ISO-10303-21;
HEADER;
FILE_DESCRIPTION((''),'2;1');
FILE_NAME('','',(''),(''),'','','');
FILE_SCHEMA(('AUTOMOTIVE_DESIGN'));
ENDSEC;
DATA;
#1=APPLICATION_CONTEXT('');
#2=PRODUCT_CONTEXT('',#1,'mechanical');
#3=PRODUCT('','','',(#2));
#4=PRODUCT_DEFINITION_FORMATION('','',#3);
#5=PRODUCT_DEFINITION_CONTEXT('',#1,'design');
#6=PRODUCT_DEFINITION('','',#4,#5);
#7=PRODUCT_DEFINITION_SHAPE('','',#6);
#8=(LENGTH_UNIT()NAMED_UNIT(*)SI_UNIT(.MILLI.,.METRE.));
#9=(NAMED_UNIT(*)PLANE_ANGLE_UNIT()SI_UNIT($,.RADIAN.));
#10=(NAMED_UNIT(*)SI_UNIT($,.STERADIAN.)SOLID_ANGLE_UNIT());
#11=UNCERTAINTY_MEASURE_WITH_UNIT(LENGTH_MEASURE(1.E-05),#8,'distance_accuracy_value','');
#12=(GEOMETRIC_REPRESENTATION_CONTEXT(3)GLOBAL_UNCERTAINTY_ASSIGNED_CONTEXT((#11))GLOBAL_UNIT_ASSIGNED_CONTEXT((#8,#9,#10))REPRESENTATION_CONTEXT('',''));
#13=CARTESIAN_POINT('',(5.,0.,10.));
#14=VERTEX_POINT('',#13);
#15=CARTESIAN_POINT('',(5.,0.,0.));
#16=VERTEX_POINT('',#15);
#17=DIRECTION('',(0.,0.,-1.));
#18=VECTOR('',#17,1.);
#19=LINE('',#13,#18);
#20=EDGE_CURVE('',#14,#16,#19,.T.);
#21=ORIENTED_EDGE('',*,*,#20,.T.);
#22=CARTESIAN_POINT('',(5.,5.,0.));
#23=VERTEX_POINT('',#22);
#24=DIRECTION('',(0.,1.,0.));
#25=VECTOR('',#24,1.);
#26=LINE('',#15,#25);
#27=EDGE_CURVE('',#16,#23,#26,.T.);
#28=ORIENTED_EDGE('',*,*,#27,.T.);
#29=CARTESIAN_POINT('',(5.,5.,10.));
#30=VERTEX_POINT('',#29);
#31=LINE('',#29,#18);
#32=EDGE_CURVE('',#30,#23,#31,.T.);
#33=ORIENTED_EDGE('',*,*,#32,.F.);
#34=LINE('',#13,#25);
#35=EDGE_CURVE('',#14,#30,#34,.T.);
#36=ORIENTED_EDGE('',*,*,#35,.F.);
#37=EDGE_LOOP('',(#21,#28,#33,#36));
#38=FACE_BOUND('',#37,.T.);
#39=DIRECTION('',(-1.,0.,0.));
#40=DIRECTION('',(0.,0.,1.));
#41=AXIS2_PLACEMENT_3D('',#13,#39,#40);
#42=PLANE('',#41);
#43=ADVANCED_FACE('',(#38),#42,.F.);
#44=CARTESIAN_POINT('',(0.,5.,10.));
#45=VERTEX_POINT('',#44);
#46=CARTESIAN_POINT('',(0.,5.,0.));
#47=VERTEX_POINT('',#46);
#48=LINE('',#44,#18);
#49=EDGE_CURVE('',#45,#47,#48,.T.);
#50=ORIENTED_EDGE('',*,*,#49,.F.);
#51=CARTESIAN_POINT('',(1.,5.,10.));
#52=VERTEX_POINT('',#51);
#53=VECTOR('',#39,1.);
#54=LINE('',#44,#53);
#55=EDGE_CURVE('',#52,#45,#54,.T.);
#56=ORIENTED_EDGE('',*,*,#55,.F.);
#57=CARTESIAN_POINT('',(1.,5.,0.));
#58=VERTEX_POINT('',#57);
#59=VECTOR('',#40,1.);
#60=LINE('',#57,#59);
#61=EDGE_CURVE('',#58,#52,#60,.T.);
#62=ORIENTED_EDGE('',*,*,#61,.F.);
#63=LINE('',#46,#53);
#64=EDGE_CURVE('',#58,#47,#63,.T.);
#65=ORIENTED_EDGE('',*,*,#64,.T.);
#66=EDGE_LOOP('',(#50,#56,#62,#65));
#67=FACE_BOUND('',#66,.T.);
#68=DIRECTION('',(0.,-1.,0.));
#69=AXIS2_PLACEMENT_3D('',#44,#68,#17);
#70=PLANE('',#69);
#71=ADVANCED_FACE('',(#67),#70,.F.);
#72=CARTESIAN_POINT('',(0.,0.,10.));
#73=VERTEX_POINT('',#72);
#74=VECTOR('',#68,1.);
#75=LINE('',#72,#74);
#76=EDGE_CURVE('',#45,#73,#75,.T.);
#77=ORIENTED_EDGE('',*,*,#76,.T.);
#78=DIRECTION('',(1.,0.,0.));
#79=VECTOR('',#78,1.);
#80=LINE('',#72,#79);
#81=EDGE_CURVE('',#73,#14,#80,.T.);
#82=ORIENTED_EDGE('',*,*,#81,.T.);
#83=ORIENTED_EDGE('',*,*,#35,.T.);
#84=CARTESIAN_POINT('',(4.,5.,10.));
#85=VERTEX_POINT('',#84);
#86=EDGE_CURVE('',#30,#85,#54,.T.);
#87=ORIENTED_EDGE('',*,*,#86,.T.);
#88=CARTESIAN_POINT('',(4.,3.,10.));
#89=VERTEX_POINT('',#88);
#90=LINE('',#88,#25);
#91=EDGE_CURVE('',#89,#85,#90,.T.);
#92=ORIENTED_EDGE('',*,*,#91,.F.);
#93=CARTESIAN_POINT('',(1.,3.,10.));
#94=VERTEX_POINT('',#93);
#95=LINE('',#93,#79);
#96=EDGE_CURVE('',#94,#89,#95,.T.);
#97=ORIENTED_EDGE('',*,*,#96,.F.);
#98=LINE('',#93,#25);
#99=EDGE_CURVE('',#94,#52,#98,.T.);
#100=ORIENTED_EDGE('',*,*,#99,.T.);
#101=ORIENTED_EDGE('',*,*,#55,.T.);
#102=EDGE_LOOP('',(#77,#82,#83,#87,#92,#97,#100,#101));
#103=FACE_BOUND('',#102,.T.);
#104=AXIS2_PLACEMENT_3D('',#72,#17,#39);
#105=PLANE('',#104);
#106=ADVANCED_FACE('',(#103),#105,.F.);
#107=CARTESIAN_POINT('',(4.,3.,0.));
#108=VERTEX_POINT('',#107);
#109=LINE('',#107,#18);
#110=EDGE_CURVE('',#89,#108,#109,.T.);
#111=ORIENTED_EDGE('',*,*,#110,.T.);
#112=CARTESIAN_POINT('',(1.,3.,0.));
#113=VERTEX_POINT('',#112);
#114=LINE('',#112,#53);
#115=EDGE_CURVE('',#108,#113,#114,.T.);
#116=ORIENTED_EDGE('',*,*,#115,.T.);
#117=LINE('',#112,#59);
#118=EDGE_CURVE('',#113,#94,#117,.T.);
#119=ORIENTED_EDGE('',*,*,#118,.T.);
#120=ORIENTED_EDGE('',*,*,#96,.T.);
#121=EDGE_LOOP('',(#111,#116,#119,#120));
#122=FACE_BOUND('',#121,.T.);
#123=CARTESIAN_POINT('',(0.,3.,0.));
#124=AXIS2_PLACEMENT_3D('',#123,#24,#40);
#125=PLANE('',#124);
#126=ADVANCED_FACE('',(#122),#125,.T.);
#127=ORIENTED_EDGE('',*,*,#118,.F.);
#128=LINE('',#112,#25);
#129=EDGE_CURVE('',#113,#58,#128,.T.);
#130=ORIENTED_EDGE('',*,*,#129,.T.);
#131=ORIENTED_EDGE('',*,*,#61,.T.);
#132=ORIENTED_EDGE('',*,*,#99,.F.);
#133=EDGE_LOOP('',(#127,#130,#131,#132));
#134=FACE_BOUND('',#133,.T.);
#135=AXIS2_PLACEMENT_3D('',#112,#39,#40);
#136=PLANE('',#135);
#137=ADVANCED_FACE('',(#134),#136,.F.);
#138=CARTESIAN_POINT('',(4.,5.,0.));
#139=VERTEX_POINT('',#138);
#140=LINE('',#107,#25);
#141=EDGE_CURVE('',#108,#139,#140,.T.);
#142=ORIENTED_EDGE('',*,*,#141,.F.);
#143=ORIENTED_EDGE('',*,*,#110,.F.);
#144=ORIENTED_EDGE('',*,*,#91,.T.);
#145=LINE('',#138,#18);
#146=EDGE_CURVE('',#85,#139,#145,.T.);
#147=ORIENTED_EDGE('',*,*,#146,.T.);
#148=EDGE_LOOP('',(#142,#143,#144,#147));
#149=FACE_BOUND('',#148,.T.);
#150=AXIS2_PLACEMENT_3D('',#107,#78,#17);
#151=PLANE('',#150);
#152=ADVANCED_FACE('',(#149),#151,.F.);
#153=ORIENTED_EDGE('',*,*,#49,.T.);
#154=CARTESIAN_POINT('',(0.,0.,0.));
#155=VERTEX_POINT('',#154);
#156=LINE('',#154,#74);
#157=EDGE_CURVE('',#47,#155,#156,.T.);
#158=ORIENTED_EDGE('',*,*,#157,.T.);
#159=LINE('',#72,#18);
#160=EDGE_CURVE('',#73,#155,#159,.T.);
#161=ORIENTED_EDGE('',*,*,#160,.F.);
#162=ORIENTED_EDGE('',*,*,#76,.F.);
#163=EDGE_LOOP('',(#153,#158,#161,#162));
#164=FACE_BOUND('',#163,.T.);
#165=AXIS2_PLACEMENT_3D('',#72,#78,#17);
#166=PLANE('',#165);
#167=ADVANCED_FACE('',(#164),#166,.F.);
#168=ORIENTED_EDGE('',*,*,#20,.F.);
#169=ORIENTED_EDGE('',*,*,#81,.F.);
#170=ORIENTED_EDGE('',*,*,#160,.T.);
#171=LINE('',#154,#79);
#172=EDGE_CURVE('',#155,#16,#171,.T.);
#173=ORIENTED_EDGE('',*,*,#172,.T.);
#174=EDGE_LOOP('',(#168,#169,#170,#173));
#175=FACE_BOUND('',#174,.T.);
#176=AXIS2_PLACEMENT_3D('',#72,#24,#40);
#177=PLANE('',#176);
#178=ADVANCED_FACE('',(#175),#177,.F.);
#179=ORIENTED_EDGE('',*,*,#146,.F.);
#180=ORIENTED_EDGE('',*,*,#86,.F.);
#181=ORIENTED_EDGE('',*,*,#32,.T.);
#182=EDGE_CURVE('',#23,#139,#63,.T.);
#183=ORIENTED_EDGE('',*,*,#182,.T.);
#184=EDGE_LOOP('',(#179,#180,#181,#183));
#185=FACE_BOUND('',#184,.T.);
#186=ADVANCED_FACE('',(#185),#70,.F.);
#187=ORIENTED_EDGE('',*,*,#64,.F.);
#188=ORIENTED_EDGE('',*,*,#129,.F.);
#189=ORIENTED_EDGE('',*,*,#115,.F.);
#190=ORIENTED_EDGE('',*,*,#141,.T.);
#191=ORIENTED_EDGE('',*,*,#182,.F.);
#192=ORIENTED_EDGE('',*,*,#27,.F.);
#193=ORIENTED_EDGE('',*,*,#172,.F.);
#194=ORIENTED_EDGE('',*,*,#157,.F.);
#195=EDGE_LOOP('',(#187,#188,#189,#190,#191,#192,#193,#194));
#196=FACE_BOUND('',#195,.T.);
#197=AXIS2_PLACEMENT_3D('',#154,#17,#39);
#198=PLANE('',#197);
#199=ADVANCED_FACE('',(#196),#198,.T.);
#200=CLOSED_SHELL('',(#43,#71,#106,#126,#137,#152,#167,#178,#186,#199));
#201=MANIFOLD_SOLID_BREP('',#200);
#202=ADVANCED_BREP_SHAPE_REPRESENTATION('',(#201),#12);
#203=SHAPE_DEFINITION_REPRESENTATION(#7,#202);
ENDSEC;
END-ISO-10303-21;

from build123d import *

# Parameters (mm, degrees)
SKETCH1_W           = 5
SKETCH1_H           = 5
BOSS_EXTRUDE1_DEPTH = 10
SKETCH2_W           = 3
SKETCH2_H           = 10
CUT_EXTRUDE1_DEPTH  = 2


with BuildPart() as part:
    # Sketch1 → Boss-Extrude1 (new body)
    with BuildSketch(Plane.XY):
        with Locations((2.5, 2.5)):
            Rectangle(SKETCH1_W, SKETCH1_H)
    extrude(amount=BOSS_EXTRUDE1_DEPTH)

    # Sketch2 → Cut-Extrude1 (cut)
    with BuildSketch(Plane(origin=(0, 5, 0), x_dir=(1, 0, 0), z_dir=(0, 1, 0))):
        with Locations((2.5, -5)):
            Rectangle(SKETCH2_W, SKETCH2_H)
    extrude(amount=-CUT_EXTRUDE1_DEPTH, mode=Mode.SUBTRACT)


solid = part.part
